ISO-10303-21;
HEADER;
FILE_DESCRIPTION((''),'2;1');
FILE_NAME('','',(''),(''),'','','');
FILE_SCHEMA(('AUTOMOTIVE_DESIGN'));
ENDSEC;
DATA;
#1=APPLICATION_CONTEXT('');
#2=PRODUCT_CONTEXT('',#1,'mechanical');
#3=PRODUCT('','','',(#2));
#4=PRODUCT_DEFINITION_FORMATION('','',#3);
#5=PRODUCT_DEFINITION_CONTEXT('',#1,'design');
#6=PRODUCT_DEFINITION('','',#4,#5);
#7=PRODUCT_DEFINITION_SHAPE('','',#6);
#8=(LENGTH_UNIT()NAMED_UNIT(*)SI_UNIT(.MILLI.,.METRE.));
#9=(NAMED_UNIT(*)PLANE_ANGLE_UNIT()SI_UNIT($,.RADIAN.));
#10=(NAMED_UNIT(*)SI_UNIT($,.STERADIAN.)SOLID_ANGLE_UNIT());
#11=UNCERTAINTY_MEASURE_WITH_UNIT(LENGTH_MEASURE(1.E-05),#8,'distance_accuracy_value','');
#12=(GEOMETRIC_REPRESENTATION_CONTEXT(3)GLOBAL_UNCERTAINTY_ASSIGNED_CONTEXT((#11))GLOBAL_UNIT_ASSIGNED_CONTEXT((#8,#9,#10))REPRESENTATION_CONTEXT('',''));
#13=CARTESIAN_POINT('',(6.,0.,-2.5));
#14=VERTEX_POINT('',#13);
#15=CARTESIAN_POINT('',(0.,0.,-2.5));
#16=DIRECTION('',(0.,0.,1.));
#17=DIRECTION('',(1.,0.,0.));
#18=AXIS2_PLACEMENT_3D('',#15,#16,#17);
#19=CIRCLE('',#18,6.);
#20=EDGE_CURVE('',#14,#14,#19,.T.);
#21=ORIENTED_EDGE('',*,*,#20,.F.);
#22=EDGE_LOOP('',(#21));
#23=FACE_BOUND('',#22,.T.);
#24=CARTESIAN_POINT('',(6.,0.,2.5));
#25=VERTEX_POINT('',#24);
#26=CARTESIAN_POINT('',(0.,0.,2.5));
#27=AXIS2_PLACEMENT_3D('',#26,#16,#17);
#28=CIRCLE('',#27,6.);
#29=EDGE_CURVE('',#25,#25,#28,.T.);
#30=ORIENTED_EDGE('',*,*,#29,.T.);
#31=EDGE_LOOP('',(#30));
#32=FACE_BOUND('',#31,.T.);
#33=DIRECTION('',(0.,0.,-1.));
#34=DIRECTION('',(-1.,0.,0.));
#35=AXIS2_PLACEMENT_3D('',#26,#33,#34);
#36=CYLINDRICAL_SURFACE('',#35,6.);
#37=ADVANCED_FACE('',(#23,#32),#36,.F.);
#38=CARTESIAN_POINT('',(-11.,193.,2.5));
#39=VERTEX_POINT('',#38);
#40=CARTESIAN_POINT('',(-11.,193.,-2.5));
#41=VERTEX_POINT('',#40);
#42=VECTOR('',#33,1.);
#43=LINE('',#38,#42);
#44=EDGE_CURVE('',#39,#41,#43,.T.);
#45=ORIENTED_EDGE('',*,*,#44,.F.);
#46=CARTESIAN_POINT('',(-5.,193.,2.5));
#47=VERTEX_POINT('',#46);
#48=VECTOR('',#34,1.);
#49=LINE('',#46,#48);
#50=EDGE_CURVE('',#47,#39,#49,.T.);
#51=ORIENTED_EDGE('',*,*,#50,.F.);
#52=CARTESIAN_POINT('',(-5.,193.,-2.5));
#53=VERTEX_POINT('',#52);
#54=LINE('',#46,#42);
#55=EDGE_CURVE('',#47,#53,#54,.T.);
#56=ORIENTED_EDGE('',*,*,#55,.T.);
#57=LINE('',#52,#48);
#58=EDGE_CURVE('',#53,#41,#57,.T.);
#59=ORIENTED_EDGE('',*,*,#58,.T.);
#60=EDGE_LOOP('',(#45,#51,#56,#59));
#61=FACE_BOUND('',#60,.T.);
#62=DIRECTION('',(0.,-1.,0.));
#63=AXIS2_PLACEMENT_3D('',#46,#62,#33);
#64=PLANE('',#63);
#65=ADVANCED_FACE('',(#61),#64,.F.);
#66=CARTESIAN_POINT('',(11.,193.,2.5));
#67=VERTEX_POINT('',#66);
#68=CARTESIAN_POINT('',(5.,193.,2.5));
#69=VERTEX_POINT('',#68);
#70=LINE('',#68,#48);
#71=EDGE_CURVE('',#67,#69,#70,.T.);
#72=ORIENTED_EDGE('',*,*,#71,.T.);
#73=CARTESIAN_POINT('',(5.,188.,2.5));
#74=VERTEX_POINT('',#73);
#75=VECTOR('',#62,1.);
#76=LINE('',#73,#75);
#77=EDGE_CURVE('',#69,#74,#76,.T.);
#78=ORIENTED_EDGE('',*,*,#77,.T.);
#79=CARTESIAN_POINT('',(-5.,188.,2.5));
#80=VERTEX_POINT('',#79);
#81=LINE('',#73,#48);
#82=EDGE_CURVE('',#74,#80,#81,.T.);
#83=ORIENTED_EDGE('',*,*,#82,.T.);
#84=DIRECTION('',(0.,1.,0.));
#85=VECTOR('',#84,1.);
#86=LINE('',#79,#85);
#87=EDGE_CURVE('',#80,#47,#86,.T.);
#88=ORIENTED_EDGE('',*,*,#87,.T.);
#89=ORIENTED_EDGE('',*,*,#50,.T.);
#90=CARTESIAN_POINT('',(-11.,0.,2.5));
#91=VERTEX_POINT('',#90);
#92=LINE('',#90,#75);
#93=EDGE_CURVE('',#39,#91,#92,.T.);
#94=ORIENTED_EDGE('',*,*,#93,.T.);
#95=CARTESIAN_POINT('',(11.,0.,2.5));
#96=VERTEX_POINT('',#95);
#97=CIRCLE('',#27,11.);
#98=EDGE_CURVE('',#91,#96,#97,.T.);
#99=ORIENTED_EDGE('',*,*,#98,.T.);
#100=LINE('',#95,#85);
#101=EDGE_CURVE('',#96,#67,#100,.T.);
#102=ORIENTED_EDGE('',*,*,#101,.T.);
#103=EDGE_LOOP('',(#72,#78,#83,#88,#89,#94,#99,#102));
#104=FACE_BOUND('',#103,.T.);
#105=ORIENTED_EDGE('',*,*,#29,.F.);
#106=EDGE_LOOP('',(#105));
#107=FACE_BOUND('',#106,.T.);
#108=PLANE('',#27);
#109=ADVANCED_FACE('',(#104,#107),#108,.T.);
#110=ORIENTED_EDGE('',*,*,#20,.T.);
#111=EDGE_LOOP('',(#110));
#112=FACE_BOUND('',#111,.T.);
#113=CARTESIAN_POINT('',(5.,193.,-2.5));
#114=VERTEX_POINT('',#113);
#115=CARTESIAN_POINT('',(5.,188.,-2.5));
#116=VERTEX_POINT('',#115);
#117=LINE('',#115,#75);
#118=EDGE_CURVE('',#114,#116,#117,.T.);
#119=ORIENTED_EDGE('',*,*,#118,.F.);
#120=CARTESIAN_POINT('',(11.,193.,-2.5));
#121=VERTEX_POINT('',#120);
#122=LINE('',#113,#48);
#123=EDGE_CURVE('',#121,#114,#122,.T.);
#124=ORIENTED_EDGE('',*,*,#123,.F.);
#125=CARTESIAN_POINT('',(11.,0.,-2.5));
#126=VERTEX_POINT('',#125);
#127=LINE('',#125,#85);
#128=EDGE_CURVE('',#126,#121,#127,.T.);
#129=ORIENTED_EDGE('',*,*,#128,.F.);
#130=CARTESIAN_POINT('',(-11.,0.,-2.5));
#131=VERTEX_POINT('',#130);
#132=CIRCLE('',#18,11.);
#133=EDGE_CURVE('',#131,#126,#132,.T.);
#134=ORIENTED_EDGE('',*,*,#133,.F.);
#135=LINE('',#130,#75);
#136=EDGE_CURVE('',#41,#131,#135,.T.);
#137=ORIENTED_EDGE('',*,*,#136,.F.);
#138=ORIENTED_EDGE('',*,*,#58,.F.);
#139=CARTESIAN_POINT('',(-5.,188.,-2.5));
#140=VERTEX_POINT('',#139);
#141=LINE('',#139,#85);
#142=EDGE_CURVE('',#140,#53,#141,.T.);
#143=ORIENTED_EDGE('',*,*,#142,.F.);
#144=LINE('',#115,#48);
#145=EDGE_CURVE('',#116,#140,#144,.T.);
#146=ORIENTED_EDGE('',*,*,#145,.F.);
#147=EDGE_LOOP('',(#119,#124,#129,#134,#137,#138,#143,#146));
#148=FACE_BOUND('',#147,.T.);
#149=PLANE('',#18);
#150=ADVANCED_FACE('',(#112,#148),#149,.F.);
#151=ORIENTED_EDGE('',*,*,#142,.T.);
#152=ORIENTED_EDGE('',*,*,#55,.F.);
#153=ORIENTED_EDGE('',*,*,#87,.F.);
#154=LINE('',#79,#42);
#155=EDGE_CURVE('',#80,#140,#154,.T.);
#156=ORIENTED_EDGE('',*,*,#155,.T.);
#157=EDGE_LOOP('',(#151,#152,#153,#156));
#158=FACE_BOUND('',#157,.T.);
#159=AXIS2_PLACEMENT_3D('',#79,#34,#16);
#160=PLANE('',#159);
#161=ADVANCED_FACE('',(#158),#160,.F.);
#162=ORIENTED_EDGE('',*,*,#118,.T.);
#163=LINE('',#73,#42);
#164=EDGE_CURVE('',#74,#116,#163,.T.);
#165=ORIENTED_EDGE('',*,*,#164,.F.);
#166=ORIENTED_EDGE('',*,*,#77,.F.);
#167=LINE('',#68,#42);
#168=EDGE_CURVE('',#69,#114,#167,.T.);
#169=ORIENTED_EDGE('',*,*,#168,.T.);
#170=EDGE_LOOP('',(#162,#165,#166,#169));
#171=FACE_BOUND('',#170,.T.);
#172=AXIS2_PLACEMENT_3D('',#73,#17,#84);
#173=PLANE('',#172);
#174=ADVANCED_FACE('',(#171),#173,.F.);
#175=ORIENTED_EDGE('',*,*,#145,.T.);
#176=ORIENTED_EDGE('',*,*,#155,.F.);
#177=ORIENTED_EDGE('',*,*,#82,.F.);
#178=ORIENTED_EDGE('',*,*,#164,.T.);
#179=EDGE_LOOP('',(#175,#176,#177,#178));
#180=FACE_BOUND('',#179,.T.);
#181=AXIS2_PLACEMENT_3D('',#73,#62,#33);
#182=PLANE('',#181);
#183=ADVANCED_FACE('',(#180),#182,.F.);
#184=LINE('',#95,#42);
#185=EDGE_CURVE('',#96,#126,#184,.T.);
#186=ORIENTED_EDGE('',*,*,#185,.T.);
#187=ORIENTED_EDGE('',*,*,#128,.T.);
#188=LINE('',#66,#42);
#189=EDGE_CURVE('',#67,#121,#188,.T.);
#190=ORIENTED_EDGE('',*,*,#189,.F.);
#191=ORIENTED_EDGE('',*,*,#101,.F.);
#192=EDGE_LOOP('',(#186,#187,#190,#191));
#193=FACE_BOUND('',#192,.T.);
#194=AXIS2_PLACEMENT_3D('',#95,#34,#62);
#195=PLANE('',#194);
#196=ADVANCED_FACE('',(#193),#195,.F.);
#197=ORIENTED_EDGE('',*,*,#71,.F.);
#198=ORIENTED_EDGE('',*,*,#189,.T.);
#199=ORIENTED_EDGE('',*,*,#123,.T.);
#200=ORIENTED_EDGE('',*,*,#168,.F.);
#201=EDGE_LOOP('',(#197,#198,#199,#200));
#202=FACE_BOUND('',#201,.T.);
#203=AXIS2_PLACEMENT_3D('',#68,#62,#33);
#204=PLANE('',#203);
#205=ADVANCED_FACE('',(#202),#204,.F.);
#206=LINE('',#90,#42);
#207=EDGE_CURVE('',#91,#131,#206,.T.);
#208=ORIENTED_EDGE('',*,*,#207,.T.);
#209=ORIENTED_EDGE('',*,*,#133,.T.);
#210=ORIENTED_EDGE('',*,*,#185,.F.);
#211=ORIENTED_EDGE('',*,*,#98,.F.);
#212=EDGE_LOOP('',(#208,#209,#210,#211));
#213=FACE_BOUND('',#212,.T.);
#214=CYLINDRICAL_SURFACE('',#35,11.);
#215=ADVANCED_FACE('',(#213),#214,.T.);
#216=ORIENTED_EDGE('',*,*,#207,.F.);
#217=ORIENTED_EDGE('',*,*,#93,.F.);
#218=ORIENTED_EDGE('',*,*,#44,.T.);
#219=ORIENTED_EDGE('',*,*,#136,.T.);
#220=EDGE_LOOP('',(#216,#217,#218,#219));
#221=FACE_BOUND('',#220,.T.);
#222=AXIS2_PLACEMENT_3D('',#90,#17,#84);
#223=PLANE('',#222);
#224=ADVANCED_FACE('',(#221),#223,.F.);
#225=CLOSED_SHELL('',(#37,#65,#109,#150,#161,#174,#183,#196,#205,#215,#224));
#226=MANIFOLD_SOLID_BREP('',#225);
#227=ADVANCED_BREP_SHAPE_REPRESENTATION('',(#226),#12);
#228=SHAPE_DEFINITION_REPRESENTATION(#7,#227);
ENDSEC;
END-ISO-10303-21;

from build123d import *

# Parameters (mm, degrees)
SKETCH1_R           = 6
BOSS_EXTRUDE1_DEPTH = 2.5


with BuildPart() as part:
    # Sketch1 → Boss-Extrude1 (new, symmetric)
    with BuildSketch(Plane(origin=(0, 0, 0), x_dir=(0, 1, 0), z_dir=(0, 0, 1))):
        with BuildLine():
            Line((0, 11), (193, 11))
            Line((193, 11), (193, 5))
            Line((193, 5), (188, 5))
            Line((188, 5), (188, -5))
            Line((188, -5), (193, -5))
            Line((193, -5), (193, -11))
            Line((193, -11), (0, -11))
            ThreePointArc((0, -11), (-11, 0), (0, 11))
        make_face()
        with Locations(Location((0, 0, 0), (0, 0, 270))):
            Circle(SKETCH1_R, mode=Mode.SUBTRACT)
    extrude(amount=BOSS_EXTRUDE1_DEPTH, both=True)


solid = part.part
